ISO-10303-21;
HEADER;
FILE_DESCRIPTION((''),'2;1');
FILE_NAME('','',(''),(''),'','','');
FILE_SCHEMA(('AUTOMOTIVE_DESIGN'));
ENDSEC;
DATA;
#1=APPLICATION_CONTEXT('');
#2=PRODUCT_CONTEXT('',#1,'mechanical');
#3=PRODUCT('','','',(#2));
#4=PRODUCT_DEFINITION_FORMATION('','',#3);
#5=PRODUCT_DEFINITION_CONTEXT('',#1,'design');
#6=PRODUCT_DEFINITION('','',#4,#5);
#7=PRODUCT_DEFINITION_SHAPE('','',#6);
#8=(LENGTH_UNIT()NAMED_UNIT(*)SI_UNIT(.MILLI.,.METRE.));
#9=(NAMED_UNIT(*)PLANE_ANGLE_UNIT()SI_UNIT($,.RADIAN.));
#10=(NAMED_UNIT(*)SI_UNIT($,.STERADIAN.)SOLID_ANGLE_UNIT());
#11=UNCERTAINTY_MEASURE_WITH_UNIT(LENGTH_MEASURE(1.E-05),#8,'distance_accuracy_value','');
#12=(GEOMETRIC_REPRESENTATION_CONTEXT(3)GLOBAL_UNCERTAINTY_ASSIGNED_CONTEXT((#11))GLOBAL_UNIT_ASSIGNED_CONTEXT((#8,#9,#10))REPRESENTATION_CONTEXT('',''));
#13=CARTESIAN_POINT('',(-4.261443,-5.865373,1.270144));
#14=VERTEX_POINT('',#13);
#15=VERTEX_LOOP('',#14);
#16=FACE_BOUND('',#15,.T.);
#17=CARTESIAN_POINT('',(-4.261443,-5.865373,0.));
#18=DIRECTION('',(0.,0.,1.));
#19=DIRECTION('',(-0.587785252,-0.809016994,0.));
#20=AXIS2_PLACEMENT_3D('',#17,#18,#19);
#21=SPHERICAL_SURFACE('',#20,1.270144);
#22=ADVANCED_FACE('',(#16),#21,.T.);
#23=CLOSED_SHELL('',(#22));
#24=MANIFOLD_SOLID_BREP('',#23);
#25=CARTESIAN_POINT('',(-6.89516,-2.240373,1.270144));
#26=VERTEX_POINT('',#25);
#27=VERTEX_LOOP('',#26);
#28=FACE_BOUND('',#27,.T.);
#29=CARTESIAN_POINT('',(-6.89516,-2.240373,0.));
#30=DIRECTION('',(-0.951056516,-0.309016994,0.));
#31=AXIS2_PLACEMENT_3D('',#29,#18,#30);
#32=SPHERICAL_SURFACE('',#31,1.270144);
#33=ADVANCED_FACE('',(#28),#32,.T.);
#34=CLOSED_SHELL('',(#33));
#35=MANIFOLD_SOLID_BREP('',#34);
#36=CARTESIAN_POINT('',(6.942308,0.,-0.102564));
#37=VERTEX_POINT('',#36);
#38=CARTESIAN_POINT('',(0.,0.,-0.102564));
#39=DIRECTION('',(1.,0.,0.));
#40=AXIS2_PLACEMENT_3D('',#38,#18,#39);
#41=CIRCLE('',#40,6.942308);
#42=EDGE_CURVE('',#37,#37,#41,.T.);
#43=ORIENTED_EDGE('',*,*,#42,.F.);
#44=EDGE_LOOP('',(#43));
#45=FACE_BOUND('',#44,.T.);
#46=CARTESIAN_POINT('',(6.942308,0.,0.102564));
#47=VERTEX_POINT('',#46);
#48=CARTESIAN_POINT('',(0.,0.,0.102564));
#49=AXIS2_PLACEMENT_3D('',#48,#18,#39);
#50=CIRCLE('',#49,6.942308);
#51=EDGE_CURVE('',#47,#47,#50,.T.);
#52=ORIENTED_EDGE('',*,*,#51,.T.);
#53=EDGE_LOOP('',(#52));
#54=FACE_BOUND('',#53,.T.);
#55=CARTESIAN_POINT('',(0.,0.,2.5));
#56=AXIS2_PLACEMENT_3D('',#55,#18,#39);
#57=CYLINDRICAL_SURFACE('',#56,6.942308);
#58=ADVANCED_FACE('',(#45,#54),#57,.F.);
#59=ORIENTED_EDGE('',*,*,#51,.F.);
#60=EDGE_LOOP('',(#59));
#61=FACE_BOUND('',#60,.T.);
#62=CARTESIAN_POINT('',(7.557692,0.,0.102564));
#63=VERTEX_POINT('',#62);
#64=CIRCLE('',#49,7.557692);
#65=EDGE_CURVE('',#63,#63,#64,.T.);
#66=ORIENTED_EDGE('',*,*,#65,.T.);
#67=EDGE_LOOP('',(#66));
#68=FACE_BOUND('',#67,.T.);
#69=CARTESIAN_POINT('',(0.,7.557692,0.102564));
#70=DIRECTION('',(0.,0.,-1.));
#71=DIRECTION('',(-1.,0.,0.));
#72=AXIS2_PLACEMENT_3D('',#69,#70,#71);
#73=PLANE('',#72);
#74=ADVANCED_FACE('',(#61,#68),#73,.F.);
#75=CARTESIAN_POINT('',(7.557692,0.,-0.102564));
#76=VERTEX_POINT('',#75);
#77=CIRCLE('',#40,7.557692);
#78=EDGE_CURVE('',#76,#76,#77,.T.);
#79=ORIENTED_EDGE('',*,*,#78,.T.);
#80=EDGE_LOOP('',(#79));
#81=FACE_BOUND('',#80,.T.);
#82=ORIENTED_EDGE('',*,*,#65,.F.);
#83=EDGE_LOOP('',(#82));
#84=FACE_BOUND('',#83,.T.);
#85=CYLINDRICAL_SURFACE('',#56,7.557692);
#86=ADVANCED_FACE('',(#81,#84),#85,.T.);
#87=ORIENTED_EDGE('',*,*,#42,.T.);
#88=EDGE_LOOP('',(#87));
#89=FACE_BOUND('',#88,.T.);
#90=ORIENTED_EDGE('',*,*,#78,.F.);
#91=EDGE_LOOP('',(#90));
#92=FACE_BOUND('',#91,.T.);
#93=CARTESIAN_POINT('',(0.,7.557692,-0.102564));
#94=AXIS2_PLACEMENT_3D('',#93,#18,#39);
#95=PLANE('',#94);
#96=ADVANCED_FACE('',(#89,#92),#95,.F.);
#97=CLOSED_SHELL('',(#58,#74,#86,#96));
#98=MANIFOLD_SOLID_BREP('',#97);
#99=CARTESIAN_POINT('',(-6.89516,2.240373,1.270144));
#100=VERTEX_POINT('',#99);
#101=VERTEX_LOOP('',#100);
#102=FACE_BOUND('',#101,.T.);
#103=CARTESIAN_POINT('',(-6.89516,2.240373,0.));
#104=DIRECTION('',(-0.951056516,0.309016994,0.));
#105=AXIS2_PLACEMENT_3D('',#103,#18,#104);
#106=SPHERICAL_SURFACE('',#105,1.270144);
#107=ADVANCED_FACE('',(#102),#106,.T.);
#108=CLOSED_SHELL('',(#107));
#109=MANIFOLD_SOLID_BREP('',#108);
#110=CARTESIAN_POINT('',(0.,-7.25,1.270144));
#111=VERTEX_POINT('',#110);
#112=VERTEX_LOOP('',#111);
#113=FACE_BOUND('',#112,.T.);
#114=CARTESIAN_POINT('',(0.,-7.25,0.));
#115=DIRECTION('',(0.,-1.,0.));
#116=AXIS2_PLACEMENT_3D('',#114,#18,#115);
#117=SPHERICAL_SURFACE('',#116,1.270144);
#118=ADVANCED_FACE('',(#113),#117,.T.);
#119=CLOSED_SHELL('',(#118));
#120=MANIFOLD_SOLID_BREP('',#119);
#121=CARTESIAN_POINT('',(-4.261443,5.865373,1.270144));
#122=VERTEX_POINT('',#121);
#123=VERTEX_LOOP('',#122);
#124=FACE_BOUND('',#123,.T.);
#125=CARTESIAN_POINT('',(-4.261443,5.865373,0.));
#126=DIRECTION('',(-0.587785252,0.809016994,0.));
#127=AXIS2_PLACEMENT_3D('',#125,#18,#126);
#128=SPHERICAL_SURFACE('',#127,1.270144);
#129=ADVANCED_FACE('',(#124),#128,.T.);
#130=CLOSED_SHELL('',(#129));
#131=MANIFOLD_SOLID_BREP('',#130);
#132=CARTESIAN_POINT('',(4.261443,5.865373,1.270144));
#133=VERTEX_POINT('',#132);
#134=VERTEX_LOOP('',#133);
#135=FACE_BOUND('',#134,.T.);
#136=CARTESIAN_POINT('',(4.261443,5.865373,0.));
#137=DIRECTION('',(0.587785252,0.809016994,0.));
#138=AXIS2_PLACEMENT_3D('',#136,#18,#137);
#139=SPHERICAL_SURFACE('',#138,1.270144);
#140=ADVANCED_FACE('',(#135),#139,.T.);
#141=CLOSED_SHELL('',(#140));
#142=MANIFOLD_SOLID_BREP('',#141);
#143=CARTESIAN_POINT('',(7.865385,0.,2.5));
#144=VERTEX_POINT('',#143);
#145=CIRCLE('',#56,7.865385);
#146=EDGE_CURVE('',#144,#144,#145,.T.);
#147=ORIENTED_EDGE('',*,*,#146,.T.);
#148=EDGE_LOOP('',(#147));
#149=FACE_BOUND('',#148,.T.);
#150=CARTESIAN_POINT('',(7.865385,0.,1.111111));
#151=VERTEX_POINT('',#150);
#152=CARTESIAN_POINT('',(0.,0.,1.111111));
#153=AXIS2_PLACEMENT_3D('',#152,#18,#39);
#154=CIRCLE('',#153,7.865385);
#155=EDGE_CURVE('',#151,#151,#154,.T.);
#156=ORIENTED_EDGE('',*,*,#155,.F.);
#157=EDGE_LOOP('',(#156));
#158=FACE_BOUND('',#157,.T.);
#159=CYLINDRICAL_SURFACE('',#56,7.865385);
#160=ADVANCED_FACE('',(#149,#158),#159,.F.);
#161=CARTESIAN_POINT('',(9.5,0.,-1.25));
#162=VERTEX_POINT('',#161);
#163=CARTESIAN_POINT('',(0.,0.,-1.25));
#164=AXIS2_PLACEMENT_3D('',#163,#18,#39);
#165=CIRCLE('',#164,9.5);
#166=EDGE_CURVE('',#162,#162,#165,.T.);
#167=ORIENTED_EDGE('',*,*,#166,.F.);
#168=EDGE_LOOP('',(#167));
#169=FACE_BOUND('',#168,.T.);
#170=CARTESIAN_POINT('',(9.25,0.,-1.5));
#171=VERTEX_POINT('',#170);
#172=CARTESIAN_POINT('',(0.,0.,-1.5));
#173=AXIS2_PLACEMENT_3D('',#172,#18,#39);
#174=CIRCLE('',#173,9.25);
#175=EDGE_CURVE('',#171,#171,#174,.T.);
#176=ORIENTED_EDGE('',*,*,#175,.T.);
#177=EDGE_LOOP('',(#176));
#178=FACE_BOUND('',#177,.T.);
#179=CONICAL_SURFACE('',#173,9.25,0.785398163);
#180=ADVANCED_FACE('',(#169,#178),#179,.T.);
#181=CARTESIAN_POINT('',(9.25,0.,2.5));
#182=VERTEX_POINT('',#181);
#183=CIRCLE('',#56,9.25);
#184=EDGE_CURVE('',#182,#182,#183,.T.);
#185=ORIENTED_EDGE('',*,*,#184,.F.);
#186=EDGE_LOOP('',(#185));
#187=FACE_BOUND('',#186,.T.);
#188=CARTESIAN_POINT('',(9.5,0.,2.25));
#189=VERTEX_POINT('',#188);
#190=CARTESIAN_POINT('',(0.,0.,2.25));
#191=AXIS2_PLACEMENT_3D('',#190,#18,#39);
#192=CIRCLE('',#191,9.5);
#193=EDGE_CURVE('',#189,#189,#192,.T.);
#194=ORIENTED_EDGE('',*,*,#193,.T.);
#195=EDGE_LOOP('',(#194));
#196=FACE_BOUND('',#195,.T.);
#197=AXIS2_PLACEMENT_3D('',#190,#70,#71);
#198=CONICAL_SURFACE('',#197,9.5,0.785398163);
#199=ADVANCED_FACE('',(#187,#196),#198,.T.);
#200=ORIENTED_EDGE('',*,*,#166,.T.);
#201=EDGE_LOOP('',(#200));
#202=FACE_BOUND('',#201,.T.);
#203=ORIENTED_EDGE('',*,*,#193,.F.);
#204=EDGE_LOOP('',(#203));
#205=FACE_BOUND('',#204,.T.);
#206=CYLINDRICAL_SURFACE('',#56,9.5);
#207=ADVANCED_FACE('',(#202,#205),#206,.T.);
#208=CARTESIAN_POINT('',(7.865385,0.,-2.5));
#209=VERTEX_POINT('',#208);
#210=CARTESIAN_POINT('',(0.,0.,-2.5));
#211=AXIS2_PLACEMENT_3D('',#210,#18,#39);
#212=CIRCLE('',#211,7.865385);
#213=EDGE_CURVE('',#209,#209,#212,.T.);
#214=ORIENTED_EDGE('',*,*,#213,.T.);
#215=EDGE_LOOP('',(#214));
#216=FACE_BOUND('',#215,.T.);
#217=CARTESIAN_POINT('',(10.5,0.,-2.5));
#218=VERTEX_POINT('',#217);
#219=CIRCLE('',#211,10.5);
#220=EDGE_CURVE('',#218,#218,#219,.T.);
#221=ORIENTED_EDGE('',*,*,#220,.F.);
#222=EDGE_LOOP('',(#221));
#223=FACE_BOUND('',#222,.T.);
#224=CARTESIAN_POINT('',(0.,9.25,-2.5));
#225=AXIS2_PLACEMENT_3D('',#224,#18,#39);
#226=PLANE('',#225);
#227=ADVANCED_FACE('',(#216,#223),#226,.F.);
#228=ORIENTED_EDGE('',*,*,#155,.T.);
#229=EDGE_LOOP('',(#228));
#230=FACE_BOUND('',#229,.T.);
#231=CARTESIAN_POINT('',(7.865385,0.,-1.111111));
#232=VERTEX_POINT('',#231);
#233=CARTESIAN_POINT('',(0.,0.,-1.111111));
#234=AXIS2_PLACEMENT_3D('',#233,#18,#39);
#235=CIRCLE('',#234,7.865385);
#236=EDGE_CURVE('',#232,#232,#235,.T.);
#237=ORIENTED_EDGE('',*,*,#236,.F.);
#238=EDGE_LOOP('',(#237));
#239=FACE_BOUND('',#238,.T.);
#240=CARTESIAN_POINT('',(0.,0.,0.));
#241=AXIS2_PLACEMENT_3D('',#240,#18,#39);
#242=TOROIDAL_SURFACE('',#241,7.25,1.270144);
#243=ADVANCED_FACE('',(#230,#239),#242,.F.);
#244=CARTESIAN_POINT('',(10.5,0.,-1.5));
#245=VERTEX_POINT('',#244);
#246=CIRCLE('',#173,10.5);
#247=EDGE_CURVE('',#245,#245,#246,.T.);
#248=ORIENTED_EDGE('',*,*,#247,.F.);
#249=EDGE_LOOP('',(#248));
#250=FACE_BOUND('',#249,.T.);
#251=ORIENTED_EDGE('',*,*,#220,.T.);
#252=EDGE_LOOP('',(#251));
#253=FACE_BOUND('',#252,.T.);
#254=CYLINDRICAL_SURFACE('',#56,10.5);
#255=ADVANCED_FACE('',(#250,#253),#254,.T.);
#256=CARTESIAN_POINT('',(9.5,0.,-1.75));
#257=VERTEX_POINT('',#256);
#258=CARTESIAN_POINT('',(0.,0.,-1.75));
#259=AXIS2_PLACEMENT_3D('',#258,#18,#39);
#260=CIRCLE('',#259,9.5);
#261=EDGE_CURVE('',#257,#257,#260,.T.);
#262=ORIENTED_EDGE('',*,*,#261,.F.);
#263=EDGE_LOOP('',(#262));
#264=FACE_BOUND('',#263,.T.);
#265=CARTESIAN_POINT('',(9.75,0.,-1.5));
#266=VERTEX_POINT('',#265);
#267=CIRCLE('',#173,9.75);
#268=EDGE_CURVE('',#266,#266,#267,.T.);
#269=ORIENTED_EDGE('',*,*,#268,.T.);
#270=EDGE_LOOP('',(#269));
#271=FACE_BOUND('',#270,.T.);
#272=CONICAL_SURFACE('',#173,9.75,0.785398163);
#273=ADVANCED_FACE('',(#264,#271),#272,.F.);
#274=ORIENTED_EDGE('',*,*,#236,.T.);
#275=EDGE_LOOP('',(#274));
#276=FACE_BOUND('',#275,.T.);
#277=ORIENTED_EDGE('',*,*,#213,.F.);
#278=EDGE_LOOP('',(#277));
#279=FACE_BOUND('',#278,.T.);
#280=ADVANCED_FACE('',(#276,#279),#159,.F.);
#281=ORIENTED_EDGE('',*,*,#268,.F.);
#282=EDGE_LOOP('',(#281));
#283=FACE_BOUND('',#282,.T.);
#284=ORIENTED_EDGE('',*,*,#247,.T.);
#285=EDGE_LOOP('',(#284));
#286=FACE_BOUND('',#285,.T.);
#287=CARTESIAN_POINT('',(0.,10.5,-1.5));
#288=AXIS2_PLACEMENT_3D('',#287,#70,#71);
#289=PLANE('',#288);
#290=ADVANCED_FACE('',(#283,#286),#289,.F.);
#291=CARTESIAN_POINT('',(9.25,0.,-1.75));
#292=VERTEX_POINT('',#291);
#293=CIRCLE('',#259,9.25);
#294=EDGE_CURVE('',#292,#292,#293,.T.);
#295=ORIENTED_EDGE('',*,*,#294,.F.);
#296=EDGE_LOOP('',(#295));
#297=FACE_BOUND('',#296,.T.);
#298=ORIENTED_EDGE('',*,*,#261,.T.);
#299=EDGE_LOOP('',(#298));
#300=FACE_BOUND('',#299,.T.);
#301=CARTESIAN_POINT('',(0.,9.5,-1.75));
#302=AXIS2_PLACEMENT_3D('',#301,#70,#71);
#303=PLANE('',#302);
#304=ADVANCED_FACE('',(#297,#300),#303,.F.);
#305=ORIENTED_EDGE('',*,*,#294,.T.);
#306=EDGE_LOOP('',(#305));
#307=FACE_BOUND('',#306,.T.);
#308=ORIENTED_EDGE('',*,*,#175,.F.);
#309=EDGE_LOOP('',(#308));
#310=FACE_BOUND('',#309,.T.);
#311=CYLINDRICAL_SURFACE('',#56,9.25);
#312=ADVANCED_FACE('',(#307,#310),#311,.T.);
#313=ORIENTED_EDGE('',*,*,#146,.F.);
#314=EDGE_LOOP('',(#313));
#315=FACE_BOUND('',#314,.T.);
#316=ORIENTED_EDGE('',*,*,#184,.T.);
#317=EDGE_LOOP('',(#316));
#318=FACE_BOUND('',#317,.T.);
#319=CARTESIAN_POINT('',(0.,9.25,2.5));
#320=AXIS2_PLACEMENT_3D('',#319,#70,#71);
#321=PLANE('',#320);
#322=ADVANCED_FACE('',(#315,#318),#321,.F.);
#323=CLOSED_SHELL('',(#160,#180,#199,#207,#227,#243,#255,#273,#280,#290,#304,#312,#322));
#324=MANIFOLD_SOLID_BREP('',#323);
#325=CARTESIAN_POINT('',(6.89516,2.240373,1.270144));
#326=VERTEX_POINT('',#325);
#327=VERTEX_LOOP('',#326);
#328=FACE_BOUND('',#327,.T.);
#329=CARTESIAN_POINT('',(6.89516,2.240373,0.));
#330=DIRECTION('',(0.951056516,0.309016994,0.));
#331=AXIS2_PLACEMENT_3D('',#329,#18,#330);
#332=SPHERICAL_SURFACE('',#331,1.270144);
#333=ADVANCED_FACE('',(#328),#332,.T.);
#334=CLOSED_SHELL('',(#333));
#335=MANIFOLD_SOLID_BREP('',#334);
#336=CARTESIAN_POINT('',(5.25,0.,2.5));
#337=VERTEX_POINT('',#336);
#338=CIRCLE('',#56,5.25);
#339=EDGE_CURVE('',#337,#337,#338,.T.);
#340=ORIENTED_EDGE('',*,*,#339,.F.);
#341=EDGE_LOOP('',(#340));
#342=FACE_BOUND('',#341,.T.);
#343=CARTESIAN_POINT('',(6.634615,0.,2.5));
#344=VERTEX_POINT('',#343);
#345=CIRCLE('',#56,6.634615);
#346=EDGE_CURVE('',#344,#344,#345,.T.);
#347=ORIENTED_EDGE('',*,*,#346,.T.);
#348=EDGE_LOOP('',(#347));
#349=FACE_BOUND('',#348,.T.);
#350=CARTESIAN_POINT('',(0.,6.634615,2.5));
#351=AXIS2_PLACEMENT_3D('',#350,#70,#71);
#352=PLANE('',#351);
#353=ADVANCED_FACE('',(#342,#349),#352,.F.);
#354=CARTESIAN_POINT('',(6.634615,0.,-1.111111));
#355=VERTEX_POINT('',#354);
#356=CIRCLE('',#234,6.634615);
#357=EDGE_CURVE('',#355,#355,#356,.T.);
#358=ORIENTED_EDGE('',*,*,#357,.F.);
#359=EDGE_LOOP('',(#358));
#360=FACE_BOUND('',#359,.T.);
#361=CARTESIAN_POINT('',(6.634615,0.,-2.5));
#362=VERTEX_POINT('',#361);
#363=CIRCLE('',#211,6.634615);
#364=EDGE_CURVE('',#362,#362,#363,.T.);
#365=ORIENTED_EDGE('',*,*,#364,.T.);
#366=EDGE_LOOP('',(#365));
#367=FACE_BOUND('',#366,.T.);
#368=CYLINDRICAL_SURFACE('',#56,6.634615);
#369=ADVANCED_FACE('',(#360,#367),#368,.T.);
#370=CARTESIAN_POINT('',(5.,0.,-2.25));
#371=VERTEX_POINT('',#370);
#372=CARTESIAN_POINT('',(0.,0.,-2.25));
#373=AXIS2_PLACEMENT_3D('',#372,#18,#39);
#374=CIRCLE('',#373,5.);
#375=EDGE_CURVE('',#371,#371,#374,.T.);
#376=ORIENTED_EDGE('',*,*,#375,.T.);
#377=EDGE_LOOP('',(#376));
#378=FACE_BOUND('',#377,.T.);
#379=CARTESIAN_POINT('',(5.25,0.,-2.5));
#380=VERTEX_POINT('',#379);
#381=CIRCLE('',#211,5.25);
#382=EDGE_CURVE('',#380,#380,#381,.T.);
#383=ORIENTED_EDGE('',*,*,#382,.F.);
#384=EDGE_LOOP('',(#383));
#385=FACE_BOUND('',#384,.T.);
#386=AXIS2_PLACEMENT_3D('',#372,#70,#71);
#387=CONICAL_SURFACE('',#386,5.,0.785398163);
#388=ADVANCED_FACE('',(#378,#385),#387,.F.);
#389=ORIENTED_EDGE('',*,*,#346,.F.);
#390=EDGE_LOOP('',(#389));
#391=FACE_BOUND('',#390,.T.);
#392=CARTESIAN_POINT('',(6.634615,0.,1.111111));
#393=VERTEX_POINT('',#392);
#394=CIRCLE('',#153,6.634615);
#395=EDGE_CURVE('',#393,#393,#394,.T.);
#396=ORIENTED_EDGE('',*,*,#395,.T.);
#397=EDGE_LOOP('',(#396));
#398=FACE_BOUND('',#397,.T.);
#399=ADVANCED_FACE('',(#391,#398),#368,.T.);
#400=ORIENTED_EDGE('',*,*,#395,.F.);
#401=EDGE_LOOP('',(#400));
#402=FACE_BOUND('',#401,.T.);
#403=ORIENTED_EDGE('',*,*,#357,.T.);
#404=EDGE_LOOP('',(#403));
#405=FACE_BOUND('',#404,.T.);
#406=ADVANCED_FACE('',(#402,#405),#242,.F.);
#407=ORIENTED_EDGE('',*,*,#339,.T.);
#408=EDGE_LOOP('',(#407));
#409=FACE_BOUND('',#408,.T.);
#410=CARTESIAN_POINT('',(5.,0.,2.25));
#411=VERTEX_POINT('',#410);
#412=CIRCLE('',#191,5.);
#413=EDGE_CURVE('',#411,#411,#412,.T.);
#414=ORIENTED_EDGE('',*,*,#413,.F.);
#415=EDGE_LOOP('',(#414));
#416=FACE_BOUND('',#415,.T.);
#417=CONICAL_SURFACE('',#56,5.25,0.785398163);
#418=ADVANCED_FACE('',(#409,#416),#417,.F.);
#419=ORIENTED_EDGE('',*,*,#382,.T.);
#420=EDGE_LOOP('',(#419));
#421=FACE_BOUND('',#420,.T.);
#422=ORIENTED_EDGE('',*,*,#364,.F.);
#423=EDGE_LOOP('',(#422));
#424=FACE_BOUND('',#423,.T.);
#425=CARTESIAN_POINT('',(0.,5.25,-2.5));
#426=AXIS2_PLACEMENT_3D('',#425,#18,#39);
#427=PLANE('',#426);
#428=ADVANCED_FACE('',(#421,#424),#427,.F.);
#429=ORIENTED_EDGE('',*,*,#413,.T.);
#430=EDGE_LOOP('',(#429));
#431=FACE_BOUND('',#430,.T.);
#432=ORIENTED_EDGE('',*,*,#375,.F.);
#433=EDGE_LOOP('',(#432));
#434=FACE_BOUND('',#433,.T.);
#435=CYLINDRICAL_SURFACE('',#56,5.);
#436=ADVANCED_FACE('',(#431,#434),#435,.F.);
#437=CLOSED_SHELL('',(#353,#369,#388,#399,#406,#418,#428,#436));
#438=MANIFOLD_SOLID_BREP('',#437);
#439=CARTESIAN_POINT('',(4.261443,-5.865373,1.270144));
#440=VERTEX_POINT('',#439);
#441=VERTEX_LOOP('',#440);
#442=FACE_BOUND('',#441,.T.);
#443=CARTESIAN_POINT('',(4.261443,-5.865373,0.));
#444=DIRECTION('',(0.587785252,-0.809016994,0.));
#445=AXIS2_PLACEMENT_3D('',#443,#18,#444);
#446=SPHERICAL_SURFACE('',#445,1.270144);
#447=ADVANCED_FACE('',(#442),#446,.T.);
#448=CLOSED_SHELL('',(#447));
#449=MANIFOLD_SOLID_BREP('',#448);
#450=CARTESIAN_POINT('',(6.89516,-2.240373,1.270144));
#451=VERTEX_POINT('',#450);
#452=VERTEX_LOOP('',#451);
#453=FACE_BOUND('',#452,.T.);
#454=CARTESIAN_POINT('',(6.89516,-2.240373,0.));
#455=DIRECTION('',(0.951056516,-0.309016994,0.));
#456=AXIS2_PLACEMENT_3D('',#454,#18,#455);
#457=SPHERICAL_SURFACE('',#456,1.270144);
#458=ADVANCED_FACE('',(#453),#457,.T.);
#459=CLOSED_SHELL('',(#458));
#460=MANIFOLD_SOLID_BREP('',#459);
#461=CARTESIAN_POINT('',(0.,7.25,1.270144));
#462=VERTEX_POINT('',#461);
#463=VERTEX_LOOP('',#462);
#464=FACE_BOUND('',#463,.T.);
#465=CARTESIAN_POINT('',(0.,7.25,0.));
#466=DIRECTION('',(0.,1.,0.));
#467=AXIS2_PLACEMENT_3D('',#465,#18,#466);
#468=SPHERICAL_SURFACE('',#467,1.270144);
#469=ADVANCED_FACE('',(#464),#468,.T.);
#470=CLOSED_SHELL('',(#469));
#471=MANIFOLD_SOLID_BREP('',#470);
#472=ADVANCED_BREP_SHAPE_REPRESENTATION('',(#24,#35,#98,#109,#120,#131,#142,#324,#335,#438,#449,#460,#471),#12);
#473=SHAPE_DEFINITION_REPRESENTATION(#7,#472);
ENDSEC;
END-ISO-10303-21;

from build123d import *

# Parameters (mm, degrees)
SKETCH6_W         = 0.205128206
SKETCH6_H         = 0.615384616
CIRPATTERN1_COUNT = 10


with BuildPart() as part:
    # Sketch1 → Revolve1 (revolve)
    with BuildSketch(Plane(origin=(0, 0, 0), x_dir=(0, 0, -1), z_dir=(1, 0, 0))):
        with BuildLine():
            Line((-2.25, 9.5), (-2.5, 9.25))
            Line((-2.5, 9.25), (-2.5, 7.865384615))
            Line((-2.5, 7.865384615), (-1.111111111, 7.865384615))
            ThreePointArc((-1.111111111, 7.865384615), (0, 8.520144136), (1.111111111, 7.865384615))
            Line((1.111111111, 7.865384615), (2.5, 7.865384615))
            Line((2.5, 7.865384615), (2.5, 9.25))
            Line((2.5, 9.25), (2.5, 10.5))
            Line((2.5, 10.5), (1.5, 10.5))
            Line((1.5, 10.5), (1.5, 9.75))
            Line((1.5, 9.75), (1.75, 9.5))
            Line((1.75, 9.5), (1.75, 9.25))
            Line((1.75, 9.25), (1.5, 9.25))
            Line((1.5, 9.25), (1.25, 9.5))
            Line((1.25, 9.5), (-2.25, 9.5))
        make_face()
    revolve(axis=Axis((0, 0, 2.5), (0, 0, -1)))


with BuildPart() as body_2:
    # Sketch3 → Revolve3 (revolve)
    with BuildSketch(Plane(origin=(0, 0, 0), x_dir=(0, 0, -1), z_dir=(1, 0, 0))):
        with BuildLine():
            Line((-2.5, 6.634615385), (-1.111111111, 6.634615385))
            ThreePointArc((-1.111111111, 6.634615385), (0, 5.979855864), (1.111111111, 6.634615385))
            Line((1.111111111, 6.634615385), (2.5, 6.634615385))
            Line((2.5, 6.634615385), (2.5, 5.25))
            Line((2.5, 5.25), (2.25, 5))
            Line((2.25, 5), (-2.25, 5))
            Line((-2.25, 5), (-2.5, 5.25))
            Line((-2.5, 5.25), (-2.5, 6.634615385))
        make_face()
    revolve(axis=Axis((0, 0, 2.5), (0, 0, -1)))


with BuildPart() as body_3:
    # Sketch6 → Revolve6 (revolve)
    with BuildSketch(Plane(origin=(0, 0, 0), x_dir=(0, 0, -1), z_dir=(1, 0, 0))):
        with Locations((0, 7.25)):
            Rectangle(SKETCH6_W, SKETCH6_H)
    revolve(axis=Axis((0, 0, 2.5), (0, 0, -1)))


with BuildPart() as body_4:
    # Sketch4 → Revolve4 (revolve)
    with BuildSketch(Plane(origin=(0, 0, 0), x_dir=(0, 0, -1), z_dir=(1, 0, 0))):
        with BuildLine():
            Line((-1.270144136, 7.25), (1.270144136, 7.25))
            ThreePointArc((1.270144136, 7.25), (0, 8.520144136), (-1.270144136, 7.25))
        make_face()
    revolve(axis=Axis((0, 7.25, 1.270144136), (0, 0, -1)))


with BuildPart() as cirpattern1_1:
    # CirPattern1: pattern copy
    add(body_4.part.rotate(Axis((0, 0, -2.5), (0, 0, 1)), 1 * 360 / CIRPATTERN1_COUNT))


with BuildPart() as cirpattern1_2:
    # CirPattern1: pattern copy
    add(body_4.part.rotate(Axis((0, 0, -2.5), (0, 0, 1)), 2 * 360 / CIRPATTERN1_COUNT))


with BuildPart() as cirpattern1_3:
    # CirPattern1: pattern copy
    add(body_4.part.rotate(Axis((0, 0, -2.5), (0, 0, 1)), 3 * 360 / CIRPATTERN1_COUNT))


with BuildPart() as cirpattern1_4:
    # CirPattern1: pattern copy
    add(body_4.part.rotate(Axis((0, 0, -2.5), (0, 0, 1)), 4 * 360 / CIRPATTERN1_COUNT))


with BuildPart() as cirpattern1_5:
    # CirPattern1: pattern copy
    add(body_4.part.rotate(Axis((0, 0, -2.5), (0, 0, 1)), 5 * 360 / CIRPATTERN1_COUNT))


with BuildPart() as cirpattern1_6:
    # CirPattern1: pattern copy
    add(body_4.part.rotate(Axis((0, 0, -2.5), (0, 0, 1)), 6 * 360 / CIRPATTERN1_COUNT))


with BuildPart() as cirpattern1_7:
    # CirPattern1: pattern copy
    add(body_4.part.rotate(Axis((0, 0, -2.5), (0, 0, 1)), 7 * 360 / CIRPATTERN1_COUNT))


with BuildPart() as cirpattern1_8:
    # CirPattern1: pattern copy
    add(body_4.part.rotate(Axis((0, 0, -2.5), (0, 0, 1)), 8 * 360 / CIRPATTERN1_COUNT))


with BuildPart() as cirpattern1_9:
    # CirPattern1: pattern copy
    add(body_4.part.rotate(Axis((0, 0, -2.5), (0, 0, 1)), 9 * 360 / CIRPATTERN1_COUNT))


solid = Compound([part.part, body_2.part, body_3.part, body_4.part, cirpattern1_1.part, cirpattern1_2.part, cirpattern1_3.part, cirpattern1_4.part, cirpattern1_5.part, cirpattern1_6.part, cirpattern1_7.part, cirpattern1_8.part, cirpattern1_9.part])
